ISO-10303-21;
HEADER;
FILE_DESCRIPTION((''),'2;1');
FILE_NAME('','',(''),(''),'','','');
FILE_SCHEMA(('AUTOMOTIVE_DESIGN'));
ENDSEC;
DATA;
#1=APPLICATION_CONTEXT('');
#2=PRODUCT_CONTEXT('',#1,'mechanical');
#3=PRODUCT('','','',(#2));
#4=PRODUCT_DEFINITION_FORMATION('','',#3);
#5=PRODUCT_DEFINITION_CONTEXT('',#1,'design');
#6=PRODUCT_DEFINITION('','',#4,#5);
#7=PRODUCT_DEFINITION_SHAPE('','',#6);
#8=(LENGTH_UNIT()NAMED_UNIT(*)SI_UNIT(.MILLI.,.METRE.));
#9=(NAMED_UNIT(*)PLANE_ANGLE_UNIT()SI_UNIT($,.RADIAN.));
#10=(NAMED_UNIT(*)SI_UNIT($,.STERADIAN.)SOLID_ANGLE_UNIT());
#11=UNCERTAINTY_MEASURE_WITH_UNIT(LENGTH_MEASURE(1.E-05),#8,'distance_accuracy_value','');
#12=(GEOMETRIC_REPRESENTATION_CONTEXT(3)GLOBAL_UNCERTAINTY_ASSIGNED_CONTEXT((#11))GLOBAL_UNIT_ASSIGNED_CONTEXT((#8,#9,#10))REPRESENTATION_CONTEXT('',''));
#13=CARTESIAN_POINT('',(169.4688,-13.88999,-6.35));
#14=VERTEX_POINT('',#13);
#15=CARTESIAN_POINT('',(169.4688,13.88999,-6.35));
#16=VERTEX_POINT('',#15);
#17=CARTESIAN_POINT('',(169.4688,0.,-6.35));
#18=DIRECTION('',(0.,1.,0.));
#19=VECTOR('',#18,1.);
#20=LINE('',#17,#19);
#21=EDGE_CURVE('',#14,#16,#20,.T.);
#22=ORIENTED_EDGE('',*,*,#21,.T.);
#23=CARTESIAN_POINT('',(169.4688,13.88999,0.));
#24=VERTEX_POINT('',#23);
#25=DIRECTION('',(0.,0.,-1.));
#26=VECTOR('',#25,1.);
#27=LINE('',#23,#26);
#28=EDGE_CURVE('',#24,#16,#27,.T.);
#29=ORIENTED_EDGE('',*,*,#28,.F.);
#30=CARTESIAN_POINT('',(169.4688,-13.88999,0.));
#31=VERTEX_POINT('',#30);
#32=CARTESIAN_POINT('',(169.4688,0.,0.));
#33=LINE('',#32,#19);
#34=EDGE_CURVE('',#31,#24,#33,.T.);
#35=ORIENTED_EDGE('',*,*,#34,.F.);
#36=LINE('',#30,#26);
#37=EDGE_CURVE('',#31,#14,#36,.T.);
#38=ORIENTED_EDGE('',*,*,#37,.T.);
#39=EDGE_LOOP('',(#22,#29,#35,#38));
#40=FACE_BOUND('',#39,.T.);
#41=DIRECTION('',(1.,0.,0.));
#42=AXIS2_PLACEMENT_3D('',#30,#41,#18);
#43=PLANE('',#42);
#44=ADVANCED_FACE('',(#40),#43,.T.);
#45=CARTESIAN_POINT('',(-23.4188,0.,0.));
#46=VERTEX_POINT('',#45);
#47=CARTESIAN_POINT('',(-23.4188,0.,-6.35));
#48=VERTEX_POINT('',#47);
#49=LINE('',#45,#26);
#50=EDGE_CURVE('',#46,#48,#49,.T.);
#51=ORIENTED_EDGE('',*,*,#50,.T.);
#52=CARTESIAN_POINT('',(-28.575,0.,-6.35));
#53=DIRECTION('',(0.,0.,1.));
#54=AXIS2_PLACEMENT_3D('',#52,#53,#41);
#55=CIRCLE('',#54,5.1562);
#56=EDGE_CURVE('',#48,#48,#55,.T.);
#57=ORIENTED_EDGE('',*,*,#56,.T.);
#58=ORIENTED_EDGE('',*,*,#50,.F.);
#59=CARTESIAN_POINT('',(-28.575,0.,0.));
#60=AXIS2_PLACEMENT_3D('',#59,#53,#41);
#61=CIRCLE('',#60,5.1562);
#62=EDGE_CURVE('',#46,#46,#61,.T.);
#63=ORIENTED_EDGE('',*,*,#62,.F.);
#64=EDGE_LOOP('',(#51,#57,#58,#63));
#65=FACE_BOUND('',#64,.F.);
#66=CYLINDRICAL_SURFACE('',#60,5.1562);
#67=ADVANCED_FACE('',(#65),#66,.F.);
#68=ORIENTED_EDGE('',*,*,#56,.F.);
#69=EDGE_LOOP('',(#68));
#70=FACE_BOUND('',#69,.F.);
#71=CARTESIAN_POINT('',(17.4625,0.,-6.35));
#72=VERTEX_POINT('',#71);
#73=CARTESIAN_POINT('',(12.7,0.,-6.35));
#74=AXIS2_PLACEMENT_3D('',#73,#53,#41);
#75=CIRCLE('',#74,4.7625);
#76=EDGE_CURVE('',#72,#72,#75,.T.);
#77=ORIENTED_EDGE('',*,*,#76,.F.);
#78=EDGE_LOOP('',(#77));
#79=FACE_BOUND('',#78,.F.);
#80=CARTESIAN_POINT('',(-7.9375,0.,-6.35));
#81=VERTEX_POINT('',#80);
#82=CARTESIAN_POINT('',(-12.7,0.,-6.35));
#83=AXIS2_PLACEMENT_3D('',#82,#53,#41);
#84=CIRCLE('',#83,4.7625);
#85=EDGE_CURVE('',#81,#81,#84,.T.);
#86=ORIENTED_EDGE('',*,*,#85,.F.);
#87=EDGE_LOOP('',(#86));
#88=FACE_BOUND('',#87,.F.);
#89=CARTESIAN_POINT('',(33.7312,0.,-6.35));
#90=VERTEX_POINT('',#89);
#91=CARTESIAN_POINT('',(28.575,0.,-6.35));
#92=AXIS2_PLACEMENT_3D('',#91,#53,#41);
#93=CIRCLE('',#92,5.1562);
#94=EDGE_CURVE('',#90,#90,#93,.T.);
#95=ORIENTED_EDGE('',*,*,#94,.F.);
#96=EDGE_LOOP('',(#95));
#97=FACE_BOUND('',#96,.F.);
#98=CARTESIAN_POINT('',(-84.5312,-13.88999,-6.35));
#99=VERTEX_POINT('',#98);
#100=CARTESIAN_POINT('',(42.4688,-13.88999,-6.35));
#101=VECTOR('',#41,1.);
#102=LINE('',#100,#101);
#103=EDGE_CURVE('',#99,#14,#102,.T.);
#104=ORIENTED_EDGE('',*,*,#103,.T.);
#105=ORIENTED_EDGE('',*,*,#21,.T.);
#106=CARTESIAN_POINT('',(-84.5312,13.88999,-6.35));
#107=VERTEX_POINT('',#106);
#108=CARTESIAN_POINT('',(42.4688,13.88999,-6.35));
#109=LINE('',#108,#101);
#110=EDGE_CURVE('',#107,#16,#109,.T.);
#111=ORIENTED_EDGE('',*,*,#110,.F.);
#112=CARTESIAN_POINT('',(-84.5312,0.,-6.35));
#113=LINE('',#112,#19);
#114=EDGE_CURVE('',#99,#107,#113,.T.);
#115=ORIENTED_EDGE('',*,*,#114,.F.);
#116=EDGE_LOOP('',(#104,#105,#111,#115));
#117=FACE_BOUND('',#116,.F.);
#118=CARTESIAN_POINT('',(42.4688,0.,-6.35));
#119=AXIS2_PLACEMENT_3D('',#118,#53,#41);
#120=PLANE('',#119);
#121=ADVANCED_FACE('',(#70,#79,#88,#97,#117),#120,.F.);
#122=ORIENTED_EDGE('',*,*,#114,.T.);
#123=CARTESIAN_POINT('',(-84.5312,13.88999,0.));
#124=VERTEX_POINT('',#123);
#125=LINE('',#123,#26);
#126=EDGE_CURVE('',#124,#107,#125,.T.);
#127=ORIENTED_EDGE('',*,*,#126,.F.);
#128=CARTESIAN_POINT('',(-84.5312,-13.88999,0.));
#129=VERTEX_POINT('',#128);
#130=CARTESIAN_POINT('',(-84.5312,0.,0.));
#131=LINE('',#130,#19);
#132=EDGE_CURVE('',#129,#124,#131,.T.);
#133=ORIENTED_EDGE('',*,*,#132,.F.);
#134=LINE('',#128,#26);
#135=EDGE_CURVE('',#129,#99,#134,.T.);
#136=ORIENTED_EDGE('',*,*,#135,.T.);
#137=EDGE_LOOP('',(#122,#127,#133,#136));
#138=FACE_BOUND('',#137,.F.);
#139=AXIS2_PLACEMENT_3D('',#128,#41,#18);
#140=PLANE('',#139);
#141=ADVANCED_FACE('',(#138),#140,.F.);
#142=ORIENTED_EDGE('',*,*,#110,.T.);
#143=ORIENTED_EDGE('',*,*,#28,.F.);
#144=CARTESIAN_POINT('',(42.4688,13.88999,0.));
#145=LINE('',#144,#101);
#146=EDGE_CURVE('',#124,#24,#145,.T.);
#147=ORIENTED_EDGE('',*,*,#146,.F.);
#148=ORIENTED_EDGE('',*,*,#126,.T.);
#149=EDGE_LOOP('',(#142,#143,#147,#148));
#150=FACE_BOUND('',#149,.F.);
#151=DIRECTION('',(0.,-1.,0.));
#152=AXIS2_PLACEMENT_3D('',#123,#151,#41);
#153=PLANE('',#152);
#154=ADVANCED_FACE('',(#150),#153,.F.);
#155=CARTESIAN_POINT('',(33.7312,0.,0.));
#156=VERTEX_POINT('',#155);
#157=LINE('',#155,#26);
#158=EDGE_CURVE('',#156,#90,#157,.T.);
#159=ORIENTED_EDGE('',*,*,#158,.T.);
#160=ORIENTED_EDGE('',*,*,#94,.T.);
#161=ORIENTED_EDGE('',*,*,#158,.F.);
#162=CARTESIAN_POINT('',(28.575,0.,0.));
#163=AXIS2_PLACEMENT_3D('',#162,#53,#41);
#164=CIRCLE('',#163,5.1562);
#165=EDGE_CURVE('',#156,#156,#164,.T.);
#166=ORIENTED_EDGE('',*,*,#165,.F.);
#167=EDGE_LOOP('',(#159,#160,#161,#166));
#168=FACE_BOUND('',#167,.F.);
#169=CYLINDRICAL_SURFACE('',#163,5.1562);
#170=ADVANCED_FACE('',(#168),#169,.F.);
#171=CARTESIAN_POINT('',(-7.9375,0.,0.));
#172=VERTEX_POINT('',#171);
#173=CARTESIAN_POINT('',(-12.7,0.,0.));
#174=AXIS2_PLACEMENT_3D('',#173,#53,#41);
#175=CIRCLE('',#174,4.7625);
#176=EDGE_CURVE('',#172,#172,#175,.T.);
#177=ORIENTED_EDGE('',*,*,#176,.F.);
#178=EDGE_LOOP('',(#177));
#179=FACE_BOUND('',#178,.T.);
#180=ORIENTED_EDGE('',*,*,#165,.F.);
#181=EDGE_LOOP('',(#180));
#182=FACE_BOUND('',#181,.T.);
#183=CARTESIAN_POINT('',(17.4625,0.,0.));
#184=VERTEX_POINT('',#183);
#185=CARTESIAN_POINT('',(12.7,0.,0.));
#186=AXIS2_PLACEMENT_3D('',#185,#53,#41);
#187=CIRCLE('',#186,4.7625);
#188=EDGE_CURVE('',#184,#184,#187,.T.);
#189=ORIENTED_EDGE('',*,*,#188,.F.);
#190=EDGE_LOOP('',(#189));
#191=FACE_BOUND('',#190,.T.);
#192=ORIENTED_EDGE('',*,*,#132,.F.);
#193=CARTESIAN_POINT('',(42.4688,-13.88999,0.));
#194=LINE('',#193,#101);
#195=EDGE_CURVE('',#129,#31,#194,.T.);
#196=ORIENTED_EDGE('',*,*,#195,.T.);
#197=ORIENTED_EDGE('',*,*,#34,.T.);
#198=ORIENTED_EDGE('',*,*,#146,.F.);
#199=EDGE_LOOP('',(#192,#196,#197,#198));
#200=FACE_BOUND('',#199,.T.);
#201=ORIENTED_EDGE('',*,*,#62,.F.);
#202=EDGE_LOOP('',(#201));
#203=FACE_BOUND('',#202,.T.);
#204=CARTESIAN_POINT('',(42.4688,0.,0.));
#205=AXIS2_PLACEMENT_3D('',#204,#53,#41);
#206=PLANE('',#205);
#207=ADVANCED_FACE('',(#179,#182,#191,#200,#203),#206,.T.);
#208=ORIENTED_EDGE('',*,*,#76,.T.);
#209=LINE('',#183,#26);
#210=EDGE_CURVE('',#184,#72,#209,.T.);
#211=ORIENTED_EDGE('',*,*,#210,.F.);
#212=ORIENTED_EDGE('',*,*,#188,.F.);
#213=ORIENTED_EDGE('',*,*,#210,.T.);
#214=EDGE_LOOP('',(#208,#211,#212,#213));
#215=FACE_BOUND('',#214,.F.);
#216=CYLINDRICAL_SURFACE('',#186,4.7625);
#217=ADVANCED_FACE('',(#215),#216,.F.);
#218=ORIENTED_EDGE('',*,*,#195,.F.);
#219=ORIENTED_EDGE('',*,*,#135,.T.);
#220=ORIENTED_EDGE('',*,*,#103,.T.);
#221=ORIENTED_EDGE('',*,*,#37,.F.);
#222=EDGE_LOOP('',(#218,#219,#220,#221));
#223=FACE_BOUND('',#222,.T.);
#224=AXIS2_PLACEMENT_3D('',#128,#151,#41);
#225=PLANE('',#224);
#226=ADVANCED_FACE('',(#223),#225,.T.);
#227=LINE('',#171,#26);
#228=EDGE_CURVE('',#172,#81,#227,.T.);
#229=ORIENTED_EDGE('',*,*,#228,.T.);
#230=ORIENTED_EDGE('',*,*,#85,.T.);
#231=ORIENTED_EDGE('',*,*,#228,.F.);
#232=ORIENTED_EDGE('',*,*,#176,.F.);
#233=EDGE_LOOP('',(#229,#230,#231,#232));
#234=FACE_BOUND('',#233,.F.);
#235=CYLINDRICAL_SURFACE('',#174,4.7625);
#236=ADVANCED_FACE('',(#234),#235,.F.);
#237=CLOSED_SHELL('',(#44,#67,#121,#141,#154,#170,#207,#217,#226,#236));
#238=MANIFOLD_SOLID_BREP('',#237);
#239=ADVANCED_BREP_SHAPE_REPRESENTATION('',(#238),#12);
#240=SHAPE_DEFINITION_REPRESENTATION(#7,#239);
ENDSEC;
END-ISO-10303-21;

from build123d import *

# Parameters (mm, degrees)
F1_W     = 254
F1_H     = 27.77998
F1_R     = 5.1562
F1_R_2   = 4.7625
F2_DEPTH = 6.35


with BuildPart() as f2:
    # F1 (on face) → F2 (new body)
    with BuildSketch(Plane.XY):
        with Locations((42.4688, 0)):
            Rectangle(F1_W, F1_H)
        with Locations((-28.575, 0)):
            Circle(F1_R, mode=Mode.SUBTRACT)
        with Locations((-12.7, 0)):
            Circle(F1_R_2, mode=Mode.SUBTRACT)
        with Locations((12.7, 0)):
            Circle(F1_R_2, mode=Mode.SUBTRACT)
        with Locations((28.575, 0)):
            Circle(F1_R, mode=Mode.SUBTRACT)
    extrude(amount=-F2_DEPTH)


solid = f2.part
